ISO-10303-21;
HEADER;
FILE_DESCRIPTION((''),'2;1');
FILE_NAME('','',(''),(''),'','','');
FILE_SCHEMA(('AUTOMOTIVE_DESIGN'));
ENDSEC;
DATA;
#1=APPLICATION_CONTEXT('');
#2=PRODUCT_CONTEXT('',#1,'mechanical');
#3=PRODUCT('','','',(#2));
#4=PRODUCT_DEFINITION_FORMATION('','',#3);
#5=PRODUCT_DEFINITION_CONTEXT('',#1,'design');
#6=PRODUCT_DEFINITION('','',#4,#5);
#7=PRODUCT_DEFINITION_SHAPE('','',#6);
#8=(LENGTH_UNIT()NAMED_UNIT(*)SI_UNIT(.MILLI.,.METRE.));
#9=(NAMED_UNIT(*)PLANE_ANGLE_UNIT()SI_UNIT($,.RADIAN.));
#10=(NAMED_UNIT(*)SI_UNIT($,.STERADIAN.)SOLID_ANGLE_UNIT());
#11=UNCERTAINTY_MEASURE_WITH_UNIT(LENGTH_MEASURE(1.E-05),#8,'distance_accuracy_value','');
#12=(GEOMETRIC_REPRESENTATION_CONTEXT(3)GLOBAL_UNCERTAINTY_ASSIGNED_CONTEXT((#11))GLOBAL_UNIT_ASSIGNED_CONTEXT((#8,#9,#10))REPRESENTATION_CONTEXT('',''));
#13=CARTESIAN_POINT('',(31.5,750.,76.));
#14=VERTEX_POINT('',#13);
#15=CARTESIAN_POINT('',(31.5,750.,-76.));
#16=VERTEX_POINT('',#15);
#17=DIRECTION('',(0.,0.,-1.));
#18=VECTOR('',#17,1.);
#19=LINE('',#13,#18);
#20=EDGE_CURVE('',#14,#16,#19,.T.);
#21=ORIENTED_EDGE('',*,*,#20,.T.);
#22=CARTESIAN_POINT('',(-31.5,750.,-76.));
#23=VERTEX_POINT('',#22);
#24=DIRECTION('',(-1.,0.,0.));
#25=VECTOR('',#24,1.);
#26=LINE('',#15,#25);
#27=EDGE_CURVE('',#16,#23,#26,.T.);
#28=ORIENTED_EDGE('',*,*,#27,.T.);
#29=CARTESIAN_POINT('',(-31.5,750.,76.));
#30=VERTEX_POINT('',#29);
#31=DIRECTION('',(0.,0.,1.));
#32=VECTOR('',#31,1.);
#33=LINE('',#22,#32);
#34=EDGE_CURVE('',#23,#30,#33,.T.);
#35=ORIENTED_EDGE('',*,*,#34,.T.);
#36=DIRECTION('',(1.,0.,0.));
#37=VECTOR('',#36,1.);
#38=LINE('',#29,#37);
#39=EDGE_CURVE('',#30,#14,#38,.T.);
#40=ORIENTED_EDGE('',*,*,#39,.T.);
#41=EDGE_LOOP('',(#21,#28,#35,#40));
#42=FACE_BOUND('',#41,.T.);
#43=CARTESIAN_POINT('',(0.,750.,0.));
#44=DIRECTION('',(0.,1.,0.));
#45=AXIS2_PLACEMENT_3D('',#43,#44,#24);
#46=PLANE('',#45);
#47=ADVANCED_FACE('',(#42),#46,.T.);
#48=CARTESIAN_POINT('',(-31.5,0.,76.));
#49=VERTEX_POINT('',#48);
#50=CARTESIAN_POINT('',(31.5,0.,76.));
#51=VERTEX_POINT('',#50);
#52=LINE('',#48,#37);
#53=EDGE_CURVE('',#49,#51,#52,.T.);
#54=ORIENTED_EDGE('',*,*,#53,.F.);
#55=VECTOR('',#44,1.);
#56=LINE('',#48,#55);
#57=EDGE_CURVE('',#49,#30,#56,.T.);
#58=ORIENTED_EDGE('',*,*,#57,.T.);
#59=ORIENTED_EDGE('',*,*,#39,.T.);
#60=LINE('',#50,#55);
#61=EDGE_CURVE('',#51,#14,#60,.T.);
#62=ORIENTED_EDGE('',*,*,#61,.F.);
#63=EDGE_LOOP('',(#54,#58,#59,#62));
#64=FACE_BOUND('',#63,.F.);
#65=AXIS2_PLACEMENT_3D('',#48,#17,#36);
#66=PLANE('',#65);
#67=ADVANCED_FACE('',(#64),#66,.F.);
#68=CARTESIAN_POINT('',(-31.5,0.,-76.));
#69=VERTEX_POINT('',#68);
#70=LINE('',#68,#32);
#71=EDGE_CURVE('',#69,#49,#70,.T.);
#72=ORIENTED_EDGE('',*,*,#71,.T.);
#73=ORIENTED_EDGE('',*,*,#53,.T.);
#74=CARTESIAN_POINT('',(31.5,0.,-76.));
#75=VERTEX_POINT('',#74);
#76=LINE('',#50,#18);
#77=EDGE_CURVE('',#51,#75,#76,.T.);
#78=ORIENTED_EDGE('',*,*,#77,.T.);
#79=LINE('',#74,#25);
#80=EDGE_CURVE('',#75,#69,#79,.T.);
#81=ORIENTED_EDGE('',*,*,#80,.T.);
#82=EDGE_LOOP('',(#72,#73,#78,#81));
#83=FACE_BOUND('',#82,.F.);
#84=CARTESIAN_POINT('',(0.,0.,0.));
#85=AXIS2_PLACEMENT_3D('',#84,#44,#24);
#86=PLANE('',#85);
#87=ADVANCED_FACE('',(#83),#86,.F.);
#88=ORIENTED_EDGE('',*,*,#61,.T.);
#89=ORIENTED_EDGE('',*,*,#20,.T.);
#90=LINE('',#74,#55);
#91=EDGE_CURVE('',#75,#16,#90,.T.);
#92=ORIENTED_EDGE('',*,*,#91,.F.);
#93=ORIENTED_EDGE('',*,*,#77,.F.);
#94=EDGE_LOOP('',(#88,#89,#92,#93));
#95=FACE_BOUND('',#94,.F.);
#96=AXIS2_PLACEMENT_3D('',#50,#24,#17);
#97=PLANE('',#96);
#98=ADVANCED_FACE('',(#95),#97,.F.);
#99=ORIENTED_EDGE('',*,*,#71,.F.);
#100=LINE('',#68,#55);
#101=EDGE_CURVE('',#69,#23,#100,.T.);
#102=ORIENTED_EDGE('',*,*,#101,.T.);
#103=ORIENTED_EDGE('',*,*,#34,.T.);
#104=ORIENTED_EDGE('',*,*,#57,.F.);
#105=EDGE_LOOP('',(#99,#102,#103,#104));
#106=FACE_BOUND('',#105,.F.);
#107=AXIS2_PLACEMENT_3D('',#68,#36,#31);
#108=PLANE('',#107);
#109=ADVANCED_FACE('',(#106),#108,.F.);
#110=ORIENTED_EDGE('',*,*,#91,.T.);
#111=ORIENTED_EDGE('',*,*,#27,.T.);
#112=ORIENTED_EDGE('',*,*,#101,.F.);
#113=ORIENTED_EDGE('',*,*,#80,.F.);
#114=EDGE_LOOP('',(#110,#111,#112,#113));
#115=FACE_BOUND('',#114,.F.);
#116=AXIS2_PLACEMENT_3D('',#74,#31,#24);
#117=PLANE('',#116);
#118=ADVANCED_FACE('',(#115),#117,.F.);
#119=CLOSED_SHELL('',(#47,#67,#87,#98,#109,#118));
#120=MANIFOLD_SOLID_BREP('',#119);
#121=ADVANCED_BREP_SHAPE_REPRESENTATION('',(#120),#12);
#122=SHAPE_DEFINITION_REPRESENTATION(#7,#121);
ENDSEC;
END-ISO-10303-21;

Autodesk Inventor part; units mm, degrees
ref_plane "YZ Plane" through (0, 0, 0) normal (1, 0, 0) x (0, 1, 0)
ref_plane "XZ Plane" through (0, 0, 0) normal (0, 1, 0) x (-1, 0, 0)
ref_plane "XY Plane" through (0, 0, 0) normal (0, 0, 1) x (1, 0, 0)
sketch "Sketch1" plane through (0, 0, 0) normal (0, 1, 0) x (-1, 0, 0)
  line L0 (-31.5, -76) -> (31.5, -76)
  line L1 (31.5, -76) -> (31.5, 76)
  line L2 (31.5, 76) -> (-31.5, 76)
  line L3 (-31.5, 76) -> (-31.5, -76)
  line L4 (-31.5, -76) -> (31.5, 76) construction
  line L5 (31.5, -76) -> (-31.5, 76) construction
  point P0 (0, 0)
  dimension "d0" = 63
  dimension "d1" = 152
extrude "Extrusion1" add sketch "Sketch1" along normal blind 750
properties part number "Test2"
